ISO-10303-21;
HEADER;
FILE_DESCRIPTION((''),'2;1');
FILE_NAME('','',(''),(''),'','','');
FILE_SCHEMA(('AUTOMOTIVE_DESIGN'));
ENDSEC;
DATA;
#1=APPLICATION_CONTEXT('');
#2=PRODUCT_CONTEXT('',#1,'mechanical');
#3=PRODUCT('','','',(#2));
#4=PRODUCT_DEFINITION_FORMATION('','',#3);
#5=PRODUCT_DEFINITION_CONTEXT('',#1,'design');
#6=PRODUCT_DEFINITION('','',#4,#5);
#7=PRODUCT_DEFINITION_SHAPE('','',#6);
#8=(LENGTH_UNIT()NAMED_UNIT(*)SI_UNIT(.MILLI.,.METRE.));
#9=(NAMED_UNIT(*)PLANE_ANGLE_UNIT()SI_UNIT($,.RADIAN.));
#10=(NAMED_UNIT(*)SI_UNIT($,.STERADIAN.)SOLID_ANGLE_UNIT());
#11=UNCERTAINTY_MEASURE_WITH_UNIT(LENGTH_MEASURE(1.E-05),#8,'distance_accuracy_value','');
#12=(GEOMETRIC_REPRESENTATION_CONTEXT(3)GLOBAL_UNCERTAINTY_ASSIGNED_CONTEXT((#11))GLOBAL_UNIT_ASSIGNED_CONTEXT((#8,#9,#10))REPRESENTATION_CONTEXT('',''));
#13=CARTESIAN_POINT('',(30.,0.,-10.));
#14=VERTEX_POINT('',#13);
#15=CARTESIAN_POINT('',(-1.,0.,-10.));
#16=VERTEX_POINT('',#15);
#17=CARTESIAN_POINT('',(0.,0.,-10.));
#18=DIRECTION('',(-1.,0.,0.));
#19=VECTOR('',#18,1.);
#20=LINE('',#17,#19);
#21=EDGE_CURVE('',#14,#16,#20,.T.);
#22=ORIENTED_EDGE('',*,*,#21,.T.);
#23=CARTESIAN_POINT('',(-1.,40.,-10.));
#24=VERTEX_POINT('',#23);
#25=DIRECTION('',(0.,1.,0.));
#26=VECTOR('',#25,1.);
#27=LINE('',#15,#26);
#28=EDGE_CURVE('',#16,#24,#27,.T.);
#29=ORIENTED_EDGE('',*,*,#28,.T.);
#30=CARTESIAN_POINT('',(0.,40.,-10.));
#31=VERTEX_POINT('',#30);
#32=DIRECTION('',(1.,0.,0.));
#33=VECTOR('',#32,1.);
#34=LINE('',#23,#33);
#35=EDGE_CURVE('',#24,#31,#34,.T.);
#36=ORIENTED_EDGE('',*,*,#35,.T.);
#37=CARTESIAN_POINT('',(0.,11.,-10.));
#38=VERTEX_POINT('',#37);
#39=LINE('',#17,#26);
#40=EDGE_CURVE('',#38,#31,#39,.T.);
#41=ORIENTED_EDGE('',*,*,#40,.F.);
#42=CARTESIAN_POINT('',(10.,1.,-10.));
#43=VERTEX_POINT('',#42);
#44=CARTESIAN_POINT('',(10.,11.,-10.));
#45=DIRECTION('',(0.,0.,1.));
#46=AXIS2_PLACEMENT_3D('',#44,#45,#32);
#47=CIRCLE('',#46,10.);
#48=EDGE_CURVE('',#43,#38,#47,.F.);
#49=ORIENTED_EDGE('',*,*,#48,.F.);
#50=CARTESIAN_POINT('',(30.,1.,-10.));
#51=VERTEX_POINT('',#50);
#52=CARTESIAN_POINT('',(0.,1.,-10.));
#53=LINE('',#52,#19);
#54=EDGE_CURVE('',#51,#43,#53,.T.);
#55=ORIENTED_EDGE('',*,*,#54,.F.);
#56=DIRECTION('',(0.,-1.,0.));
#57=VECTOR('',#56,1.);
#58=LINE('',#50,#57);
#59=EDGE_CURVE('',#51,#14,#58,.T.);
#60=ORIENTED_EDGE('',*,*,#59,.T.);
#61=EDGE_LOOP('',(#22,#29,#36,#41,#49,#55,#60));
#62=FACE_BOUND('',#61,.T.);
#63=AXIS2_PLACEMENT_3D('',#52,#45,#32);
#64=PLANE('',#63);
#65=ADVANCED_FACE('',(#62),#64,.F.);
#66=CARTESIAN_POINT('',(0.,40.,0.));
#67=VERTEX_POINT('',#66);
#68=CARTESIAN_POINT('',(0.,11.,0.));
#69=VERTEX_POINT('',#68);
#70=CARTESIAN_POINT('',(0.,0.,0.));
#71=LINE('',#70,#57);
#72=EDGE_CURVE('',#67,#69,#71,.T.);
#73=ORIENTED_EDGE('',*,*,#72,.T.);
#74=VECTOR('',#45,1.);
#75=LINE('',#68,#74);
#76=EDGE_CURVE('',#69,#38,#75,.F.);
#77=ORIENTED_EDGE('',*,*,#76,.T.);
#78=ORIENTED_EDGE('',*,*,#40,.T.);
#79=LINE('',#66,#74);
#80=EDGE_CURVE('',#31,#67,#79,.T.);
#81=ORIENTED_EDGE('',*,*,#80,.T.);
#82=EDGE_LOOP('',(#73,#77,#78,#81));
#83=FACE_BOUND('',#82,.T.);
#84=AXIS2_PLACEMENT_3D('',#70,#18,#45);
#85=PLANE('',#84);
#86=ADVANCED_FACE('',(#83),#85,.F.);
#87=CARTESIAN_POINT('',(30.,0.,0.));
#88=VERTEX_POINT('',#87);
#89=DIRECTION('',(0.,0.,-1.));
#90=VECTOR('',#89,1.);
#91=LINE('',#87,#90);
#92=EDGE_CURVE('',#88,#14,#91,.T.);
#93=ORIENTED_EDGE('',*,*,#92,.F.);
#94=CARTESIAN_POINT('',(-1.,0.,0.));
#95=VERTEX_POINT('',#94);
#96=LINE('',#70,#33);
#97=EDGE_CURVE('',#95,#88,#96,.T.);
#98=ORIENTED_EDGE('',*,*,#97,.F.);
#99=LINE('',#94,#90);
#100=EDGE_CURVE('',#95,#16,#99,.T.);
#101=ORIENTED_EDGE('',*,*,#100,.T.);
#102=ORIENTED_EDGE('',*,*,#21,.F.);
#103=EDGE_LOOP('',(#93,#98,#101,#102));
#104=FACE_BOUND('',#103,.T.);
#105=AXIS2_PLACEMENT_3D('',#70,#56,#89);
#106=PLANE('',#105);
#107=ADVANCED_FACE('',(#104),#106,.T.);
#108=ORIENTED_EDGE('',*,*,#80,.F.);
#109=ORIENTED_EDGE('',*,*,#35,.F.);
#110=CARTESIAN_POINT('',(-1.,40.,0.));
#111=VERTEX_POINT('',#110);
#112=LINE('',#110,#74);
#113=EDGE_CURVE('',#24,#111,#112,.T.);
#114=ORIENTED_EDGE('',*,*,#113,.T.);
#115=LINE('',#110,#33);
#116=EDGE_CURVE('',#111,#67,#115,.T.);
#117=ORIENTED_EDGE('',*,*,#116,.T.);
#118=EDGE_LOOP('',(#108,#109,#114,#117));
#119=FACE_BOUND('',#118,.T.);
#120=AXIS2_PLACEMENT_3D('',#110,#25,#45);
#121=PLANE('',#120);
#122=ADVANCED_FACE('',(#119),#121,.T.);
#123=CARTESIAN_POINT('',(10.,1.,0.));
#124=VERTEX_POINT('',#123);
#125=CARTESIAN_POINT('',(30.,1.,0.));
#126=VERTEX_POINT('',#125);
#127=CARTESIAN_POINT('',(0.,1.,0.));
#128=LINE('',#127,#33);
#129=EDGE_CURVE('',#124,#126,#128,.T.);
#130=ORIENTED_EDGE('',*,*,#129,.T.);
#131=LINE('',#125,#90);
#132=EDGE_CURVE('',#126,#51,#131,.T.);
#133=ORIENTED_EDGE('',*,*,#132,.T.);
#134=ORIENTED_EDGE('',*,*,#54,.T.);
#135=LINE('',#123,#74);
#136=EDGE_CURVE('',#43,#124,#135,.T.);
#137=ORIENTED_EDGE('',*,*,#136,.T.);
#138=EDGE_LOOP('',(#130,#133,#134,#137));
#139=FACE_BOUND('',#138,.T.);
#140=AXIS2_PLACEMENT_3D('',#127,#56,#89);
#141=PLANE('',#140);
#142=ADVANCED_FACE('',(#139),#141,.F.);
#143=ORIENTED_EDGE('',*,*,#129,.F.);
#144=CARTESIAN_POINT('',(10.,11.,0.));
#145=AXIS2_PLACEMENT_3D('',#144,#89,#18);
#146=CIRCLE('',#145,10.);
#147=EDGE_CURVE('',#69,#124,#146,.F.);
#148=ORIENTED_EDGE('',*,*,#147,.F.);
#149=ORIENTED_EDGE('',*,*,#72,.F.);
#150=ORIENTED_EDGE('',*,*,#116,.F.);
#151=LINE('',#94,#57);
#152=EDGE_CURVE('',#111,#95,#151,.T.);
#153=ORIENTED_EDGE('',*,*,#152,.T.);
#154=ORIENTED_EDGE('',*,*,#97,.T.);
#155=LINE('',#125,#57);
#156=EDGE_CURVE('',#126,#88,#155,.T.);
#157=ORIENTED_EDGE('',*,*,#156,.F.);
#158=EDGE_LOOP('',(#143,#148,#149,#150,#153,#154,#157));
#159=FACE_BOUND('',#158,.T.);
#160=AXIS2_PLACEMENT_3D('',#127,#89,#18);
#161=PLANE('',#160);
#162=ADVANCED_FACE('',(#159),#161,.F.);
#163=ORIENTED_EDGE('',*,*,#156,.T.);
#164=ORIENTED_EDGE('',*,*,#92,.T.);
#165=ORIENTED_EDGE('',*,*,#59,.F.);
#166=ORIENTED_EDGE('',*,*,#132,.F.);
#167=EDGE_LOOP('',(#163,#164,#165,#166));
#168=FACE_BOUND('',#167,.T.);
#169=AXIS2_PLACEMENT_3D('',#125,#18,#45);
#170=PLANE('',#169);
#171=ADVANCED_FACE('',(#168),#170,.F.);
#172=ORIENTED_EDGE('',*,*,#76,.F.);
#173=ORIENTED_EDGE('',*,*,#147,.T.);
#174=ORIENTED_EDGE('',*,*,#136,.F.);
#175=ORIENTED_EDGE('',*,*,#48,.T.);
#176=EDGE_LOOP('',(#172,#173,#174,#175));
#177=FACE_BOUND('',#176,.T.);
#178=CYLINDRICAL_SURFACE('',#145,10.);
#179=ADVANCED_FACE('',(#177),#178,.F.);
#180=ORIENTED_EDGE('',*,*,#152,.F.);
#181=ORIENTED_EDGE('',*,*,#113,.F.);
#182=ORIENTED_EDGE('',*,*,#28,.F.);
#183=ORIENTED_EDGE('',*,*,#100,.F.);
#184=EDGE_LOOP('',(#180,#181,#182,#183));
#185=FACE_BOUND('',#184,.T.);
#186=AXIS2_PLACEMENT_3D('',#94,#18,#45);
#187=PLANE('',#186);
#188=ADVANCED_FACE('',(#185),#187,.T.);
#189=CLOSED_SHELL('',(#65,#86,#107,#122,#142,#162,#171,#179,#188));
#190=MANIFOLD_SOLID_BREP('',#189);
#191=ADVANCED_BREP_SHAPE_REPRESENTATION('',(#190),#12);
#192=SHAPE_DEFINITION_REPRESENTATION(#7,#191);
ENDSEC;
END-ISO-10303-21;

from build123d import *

# Parameters (mm, degrees)
SKETCH1_W           = 30
SKETCH1_H           = 10
BOSS_EXTRUDE1_DEPTH = 1
SKETCH4_W           = 10
SKETCH4_H           = 40
BOSS_EXTRUDE2_DEPTH = 1
FILLET2_R           = 10


with BuildPart() as part:
    # Sketch1 → Boss-Extrude1 (new body)
    with BuildSketch(Plane(origin=(0, 0, 0), x_dir=(1, 0, 0), z_dir=(0, 1, 0))):
        with Locations((15, 5)):
            Rectangle(SKETCH1_W, SKETCH1_H)
    extrude(amount=BOSS_EXTRUDE1_DEPTH)

    # Sketch4 → Boss-Extrude2 (add)
    with BuildSketch(Plane(origin=(0, 0, 0), x_dir=(0, 0, -1), z_dir=(1, 0, 0))):
        with Locations((5, 20)):
            Rectangle(SKETCH4_W, SKETCH4_H)
    extrude(amount=-BOSS_EXTRUDE2_DEPTH)

    # Fillet2
    fillet2_edges = [part.edges().sort_by_distance(p)[0] for p in [
        (0, 1, -5),
    ]]
    fillet(fillet2_edges, radius=FILLET2_R)


solid = part.part
